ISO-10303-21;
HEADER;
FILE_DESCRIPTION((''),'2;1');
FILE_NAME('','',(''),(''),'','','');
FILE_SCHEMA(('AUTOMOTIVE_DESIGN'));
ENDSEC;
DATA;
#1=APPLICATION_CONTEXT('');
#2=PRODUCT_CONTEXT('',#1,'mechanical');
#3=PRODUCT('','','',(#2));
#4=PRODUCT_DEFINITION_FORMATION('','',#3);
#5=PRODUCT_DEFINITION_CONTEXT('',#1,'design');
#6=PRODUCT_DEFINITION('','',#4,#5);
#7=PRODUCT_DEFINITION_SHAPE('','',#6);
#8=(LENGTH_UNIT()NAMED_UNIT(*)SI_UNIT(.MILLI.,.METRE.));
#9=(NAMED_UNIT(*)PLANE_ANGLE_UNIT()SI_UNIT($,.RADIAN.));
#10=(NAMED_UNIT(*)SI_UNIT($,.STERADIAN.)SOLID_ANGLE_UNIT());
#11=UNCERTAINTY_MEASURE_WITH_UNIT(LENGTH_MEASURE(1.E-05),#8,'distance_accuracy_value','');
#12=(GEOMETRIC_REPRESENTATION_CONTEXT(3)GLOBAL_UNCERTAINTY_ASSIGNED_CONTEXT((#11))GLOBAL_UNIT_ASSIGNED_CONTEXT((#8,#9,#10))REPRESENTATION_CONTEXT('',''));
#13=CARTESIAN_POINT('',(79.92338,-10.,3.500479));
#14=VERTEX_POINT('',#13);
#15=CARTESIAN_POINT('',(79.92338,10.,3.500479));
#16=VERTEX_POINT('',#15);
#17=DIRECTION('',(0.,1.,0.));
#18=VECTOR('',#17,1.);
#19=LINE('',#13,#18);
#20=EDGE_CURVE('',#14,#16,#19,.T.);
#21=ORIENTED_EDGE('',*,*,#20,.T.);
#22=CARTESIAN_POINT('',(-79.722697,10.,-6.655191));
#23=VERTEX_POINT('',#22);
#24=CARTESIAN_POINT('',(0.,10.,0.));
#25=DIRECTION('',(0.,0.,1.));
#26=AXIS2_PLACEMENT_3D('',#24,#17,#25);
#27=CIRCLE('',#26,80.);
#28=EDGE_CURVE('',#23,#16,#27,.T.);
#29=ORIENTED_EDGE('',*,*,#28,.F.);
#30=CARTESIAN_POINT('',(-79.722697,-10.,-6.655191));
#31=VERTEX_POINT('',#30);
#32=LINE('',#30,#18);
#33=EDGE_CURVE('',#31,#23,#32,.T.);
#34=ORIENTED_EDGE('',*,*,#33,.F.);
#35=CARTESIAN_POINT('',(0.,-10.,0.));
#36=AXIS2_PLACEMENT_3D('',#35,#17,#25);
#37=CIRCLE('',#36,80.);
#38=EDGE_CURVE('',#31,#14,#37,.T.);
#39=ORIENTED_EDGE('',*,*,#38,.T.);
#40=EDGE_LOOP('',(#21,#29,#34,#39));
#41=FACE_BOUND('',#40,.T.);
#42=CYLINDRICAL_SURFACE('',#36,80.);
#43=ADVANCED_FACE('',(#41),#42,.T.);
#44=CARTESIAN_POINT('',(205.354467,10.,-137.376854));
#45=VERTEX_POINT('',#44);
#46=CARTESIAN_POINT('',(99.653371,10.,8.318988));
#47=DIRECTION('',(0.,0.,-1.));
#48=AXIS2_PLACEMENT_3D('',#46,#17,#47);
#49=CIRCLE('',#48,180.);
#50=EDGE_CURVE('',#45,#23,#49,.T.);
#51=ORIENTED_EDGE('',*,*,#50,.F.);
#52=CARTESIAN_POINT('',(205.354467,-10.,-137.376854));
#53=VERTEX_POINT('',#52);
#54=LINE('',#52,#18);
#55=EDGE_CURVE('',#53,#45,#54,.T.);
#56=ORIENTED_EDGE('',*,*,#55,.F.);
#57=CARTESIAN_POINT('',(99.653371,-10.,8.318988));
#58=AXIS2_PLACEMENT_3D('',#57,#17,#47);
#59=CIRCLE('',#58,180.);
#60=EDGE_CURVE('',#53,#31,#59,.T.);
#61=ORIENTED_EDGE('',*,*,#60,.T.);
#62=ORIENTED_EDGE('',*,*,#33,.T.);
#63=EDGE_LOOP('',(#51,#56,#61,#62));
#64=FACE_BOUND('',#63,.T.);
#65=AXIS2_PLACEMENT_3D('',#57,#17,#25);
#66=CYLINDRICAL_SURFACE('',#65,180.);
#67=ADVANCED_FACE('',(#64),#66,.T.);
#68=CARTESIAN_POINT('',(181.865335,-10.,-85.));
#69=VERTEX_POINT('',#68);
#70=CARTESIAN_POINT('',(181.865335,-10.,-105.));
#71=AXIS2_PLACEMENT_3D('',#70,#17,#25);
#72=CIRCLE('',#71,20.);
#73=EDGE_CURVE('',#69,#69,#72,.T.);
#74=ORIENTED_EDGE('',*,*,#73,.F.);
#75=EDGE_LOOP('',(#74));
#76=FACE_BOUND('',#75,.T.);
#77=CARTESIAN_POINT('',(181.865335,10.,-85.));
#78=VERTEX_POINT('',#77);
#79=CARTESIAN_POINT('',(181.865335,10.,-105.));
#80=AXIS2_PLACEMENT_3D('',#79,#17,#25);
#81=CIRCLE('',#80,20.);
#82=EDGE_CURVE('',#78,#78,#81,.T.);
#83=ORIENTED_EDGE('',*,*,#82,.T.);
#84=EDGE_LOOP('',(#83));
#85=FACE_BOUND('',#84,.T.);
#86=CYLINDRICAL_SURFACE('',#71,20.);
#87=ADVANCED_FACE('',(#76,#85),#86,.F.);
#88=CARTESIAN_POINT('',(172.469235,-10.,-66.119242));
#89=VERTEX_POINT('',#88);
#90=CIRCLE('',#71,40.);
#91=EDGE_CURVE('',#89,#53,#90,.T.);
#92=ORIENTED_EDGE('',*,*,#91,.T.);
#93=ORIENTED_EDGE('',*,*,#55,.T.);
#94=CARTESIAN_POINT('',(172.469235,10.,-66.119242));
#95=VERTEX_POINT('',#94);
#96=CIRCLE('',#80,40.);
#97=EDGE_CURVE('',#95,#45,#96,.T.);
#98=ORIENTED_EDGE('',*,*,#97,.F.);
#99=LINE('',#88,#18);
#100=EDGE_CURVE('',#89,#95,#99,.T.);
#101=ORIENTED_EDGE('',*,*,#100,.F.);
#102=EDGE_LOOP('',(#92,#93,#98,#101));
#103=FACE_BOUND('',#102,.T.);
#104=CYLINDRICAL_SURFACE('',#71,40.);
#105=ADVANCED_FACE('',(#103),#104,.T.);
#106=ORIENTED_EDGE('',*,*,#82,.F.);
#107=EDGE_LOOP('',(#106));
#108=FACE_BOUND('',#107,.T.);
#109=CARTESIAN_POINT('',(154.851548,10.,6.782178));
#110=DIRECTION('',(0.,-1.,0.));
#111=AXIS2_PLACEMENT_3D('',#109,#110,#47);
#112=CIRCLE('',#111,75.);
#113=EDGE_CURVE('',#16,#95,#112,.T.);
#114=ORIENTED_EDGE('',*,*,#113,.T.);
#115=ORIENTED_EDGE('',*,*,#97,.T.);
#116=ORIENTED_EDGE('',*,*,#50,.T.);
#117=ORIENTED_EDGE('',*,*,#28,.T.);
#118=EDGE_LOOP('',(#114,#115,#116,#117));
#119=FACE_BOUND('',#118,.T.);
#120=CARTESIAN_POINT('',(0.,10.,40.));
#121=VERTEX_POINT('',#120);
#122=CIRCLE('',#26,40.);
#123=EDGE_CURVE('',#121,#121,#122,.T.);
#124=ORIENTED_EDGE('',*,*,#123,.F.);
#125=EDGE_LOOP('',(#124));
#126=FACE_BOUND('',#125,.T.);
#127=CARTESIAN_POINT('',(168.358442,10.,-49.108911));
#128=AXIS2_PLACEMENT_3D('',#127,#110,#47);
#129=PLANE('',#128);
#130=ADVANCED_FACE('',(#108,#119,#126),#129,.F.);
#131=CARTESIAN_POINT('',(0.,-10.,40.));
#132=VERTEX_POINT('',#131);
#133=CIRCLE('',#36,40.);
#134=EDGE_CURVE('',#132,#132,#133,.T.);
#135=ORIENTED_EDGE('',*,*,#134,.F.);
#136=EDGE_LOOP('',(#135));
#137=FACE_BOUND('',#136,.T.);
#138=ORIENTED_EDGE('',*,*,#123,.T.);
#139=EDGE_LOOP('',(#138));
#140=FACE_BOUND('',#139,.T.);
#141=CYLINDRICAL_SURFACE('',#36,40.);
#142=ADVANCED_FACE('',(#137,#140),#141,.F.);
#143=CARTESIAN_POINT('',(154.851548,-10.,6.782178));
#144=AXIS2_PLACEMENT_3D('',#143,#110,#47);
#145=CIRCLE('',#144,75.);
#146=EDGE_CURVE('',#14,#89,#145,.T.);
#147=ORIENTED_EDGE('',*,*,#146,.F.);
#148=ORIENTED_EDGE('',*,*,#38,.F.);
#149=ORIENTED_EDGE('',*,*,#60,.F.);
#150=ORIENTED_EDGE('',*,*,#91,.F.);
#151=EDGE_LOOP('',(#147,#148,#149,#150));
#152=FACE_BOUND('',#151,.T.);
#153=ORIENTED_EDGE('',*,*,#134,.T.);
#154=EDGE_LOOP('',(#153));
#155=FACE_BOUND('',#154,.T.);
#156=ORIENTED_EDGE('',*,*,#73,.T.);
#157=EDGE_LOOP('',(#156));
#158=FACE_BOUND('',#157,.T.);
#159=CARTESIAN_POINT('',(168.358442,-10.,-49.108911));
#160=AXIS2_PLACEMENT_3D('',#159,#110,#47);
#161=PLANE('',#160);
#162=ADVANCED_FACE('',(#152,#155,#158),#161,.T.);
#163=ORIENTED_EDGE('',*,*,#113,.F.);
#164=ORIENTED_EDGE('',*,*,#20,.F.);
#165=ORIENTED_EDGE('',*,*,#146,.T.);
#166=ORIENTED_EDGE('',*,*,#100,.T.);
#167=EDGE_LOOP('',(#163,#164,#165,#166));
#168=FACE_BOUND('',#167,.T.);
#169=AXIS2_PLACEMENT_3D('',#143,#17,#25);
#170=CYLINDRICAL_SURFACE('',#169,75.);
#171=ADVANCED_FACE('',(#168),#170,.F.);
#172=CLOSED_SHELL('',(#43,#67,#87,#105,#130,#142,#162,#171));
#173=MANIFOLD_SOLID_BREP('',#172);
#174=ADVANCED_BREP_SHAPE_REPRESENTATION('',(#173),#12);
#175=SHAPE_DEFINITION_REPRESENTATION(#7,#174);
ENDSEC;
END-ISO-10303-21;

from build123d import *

# Parameters (mm, degrees)
CROQUIS2_R                   = 40
CROQUIS2_R_2                 = 20
SALIENTE_EXTRUIR1_DEPTH      = 10
SALIENTE_EXTRUIR1_DEPTH_BACK = 10


with BuildPart() as part:
    # Croquis2 → Saliente-Extruir1 (new body, two sides)
    with BuildSketch(Plane(origin=(0, 0, 0), x_dir=(1, 0, 0), z_dir=(0, 1, 0))) as saliente_extruir1_sk:
        with BuildLine():
            ThreePointArc((172.469235199, 66.119242389), (218.184271838, 88.238889892), (205.354467187, 137.376853761))
            ThreePointArc((205.354467187, 137.376853761), (24.626451497, 155.299352148), (-79.722697138, 6.655190531))
            ThreePointArc((-79.722697138, 6.655190531), (-5.078826092, -79.838621766), (79.923379849, -3.500479035))
            ThreePointArc((79.923379849, -3.500479035), (109.764419077, 53.152375878), (172.469235199, 66.119242389))
        make_face()
        Circle(CROQUIS2_R, mode=Mode.SUBTRACT)
        with Locations((181.865334795, 105)):
            Circle(CROQUIS2_R_2, mode=Mode.SUBTRACT)
    extrude(amount=SALIENTE_EXTRUIR1_DEPTH)
    extrude(saliente_extruir1_sk.sketch, amount=-SALIENTE_EXTRUIR1_DEPTH_BACK)


solid = part.part
